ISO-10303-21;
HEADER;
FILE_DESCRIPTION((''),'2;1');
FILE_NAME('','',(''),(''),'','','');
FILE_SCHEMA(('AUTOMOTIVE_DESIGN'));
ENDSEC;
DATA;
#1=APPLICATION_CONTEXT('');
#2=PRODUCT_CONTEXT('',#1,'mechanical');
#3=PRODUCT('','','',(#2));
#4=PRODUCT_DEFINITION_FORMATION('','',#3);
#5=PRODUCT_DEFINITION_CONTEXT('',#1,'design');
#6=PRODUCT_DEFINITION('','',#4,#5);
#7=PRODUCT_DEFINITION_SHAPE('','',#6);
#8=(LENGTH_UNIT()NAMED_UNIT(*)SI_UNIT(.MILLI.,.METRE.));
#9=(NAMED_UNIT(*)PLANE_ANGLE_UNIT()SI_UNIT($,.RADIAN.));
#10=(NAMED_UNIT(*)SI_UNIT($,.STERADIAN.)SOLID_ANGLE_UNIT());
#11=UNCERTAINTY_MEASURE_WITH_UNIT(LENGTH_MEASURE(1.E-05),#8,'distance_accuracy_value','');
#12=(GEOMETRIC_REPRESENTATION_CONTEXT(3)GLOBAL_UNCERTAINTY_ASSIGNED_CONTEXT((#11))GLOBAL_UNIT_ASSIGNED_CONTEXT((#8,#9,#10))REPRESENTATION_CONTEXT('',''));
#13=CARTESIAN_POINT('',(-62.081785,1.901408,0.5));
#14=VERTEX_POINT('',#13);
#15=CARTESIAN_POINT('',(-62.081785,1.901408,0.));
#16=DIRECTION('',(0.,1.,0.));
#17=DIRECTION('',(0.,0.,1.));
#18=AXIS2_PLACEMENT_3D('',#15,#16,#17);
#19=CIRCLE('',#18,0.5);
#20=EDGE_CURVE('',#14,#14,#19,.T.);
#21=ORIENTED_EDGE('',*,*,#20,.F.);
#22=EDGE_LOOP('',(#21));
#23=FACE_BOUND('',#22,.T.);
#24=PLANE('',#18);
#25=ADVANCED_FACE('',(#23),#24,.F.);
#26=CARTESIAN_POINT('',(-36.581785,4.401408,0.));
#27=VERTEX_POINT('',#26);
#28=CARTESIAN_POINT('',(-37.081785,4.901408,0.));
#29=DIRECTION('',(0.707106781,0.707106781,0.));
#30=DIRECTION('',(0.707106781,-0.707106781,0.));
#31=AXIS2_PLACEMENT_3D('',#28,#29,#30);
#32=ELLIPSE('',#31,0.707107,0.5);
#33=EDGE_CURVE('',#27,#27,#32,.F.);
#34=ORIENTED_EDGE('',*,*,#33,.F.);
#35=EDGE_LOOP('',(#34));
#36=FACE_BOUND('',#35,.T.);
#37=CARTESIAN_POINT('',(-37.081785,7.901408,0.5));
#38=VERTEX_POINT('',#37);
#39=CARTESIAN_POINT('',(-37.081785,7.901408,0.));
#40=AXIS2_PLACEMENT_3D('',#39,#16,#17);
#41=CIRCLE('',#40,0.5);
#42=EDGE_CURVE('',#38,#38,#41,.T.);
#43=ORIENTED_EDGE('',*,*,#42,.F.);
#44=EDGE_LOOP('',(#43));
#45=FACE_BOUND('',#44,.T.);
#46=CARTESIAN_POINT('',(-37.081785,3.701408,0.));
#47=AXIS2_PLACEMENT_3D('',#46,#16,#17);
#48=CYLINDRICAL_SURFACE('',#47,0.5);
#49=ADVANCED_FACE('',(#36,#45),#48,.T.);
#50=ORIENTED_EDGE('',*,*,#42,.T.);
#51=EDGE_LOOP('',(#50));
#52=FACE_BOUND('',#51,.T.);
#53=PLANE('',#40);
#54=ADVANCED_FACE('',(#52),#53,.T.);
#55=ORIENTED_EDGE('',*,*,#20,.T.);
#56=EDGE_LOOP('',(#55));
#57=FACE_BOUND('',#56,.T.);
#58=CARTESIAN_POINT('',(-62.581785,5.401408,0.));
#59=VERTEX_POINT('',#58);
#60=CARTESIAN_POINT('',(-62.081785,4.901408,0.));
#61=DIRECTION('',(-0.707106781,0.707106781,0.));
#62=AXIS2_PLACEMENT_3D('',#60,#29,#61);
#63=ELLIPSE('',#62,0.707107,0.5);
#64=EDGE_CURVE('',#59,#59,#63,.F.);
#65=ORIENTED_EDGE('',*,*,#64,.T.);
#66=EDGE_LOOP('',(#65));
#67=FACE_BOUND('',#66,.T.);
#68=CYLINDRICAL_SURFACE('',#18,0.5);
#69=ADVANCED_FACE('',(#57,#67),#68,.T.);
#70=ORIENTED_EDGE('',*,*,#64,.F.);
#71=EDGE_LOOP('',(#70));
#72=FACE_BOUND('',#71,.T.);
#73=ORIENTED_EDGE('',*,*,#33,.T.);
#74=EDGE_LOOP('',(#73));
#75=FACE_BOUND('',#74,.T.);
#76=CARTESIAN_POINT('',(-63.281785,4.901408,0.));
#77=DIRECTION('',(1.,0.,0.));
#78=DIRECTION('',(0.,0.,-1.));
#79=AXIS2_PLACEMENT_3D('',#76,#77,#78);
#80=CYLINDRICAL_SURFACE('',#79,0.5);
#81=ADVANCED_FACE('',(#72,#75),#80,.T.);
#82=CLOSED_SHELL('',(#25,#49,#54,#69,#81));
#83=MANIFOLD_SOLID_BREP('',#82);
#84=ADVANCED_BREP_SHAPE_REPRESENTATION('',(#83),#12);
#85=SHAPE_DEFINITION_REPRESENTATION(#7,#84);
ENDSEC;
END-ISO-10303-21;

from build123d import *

# Parameters (mm, degrees)
CROQUIS2_R = 0.5


with BuildPart() as part:
    # Barrer2: sweep along a path in Croquis1
    with BuildLine(Plane.XY) as barrer2_path:
        Line((-62.081784827, 1.901408451), (-62.081784827, 4.901408451))
        Line((-62.081784827, 4.901408451), (-37.081784827, 4.901408451))
        Line((-37.081784827, 4.901408451), (-37.081784827, 7.901408451))
    # Croquis2 → Barrer2 (sweep)
    with BuildSketch(Plane(origin=(0, 7.901408451, 0), x_dir=(1, 0, 0), z_dir=(0, 1, 0))):
        with Locations((-37.081784827, 0)):
            Circle(CROQUIS2_R)
    sweep(path=barrer2_path.line, transition=Transition.RIGHT)


solid = part.part
